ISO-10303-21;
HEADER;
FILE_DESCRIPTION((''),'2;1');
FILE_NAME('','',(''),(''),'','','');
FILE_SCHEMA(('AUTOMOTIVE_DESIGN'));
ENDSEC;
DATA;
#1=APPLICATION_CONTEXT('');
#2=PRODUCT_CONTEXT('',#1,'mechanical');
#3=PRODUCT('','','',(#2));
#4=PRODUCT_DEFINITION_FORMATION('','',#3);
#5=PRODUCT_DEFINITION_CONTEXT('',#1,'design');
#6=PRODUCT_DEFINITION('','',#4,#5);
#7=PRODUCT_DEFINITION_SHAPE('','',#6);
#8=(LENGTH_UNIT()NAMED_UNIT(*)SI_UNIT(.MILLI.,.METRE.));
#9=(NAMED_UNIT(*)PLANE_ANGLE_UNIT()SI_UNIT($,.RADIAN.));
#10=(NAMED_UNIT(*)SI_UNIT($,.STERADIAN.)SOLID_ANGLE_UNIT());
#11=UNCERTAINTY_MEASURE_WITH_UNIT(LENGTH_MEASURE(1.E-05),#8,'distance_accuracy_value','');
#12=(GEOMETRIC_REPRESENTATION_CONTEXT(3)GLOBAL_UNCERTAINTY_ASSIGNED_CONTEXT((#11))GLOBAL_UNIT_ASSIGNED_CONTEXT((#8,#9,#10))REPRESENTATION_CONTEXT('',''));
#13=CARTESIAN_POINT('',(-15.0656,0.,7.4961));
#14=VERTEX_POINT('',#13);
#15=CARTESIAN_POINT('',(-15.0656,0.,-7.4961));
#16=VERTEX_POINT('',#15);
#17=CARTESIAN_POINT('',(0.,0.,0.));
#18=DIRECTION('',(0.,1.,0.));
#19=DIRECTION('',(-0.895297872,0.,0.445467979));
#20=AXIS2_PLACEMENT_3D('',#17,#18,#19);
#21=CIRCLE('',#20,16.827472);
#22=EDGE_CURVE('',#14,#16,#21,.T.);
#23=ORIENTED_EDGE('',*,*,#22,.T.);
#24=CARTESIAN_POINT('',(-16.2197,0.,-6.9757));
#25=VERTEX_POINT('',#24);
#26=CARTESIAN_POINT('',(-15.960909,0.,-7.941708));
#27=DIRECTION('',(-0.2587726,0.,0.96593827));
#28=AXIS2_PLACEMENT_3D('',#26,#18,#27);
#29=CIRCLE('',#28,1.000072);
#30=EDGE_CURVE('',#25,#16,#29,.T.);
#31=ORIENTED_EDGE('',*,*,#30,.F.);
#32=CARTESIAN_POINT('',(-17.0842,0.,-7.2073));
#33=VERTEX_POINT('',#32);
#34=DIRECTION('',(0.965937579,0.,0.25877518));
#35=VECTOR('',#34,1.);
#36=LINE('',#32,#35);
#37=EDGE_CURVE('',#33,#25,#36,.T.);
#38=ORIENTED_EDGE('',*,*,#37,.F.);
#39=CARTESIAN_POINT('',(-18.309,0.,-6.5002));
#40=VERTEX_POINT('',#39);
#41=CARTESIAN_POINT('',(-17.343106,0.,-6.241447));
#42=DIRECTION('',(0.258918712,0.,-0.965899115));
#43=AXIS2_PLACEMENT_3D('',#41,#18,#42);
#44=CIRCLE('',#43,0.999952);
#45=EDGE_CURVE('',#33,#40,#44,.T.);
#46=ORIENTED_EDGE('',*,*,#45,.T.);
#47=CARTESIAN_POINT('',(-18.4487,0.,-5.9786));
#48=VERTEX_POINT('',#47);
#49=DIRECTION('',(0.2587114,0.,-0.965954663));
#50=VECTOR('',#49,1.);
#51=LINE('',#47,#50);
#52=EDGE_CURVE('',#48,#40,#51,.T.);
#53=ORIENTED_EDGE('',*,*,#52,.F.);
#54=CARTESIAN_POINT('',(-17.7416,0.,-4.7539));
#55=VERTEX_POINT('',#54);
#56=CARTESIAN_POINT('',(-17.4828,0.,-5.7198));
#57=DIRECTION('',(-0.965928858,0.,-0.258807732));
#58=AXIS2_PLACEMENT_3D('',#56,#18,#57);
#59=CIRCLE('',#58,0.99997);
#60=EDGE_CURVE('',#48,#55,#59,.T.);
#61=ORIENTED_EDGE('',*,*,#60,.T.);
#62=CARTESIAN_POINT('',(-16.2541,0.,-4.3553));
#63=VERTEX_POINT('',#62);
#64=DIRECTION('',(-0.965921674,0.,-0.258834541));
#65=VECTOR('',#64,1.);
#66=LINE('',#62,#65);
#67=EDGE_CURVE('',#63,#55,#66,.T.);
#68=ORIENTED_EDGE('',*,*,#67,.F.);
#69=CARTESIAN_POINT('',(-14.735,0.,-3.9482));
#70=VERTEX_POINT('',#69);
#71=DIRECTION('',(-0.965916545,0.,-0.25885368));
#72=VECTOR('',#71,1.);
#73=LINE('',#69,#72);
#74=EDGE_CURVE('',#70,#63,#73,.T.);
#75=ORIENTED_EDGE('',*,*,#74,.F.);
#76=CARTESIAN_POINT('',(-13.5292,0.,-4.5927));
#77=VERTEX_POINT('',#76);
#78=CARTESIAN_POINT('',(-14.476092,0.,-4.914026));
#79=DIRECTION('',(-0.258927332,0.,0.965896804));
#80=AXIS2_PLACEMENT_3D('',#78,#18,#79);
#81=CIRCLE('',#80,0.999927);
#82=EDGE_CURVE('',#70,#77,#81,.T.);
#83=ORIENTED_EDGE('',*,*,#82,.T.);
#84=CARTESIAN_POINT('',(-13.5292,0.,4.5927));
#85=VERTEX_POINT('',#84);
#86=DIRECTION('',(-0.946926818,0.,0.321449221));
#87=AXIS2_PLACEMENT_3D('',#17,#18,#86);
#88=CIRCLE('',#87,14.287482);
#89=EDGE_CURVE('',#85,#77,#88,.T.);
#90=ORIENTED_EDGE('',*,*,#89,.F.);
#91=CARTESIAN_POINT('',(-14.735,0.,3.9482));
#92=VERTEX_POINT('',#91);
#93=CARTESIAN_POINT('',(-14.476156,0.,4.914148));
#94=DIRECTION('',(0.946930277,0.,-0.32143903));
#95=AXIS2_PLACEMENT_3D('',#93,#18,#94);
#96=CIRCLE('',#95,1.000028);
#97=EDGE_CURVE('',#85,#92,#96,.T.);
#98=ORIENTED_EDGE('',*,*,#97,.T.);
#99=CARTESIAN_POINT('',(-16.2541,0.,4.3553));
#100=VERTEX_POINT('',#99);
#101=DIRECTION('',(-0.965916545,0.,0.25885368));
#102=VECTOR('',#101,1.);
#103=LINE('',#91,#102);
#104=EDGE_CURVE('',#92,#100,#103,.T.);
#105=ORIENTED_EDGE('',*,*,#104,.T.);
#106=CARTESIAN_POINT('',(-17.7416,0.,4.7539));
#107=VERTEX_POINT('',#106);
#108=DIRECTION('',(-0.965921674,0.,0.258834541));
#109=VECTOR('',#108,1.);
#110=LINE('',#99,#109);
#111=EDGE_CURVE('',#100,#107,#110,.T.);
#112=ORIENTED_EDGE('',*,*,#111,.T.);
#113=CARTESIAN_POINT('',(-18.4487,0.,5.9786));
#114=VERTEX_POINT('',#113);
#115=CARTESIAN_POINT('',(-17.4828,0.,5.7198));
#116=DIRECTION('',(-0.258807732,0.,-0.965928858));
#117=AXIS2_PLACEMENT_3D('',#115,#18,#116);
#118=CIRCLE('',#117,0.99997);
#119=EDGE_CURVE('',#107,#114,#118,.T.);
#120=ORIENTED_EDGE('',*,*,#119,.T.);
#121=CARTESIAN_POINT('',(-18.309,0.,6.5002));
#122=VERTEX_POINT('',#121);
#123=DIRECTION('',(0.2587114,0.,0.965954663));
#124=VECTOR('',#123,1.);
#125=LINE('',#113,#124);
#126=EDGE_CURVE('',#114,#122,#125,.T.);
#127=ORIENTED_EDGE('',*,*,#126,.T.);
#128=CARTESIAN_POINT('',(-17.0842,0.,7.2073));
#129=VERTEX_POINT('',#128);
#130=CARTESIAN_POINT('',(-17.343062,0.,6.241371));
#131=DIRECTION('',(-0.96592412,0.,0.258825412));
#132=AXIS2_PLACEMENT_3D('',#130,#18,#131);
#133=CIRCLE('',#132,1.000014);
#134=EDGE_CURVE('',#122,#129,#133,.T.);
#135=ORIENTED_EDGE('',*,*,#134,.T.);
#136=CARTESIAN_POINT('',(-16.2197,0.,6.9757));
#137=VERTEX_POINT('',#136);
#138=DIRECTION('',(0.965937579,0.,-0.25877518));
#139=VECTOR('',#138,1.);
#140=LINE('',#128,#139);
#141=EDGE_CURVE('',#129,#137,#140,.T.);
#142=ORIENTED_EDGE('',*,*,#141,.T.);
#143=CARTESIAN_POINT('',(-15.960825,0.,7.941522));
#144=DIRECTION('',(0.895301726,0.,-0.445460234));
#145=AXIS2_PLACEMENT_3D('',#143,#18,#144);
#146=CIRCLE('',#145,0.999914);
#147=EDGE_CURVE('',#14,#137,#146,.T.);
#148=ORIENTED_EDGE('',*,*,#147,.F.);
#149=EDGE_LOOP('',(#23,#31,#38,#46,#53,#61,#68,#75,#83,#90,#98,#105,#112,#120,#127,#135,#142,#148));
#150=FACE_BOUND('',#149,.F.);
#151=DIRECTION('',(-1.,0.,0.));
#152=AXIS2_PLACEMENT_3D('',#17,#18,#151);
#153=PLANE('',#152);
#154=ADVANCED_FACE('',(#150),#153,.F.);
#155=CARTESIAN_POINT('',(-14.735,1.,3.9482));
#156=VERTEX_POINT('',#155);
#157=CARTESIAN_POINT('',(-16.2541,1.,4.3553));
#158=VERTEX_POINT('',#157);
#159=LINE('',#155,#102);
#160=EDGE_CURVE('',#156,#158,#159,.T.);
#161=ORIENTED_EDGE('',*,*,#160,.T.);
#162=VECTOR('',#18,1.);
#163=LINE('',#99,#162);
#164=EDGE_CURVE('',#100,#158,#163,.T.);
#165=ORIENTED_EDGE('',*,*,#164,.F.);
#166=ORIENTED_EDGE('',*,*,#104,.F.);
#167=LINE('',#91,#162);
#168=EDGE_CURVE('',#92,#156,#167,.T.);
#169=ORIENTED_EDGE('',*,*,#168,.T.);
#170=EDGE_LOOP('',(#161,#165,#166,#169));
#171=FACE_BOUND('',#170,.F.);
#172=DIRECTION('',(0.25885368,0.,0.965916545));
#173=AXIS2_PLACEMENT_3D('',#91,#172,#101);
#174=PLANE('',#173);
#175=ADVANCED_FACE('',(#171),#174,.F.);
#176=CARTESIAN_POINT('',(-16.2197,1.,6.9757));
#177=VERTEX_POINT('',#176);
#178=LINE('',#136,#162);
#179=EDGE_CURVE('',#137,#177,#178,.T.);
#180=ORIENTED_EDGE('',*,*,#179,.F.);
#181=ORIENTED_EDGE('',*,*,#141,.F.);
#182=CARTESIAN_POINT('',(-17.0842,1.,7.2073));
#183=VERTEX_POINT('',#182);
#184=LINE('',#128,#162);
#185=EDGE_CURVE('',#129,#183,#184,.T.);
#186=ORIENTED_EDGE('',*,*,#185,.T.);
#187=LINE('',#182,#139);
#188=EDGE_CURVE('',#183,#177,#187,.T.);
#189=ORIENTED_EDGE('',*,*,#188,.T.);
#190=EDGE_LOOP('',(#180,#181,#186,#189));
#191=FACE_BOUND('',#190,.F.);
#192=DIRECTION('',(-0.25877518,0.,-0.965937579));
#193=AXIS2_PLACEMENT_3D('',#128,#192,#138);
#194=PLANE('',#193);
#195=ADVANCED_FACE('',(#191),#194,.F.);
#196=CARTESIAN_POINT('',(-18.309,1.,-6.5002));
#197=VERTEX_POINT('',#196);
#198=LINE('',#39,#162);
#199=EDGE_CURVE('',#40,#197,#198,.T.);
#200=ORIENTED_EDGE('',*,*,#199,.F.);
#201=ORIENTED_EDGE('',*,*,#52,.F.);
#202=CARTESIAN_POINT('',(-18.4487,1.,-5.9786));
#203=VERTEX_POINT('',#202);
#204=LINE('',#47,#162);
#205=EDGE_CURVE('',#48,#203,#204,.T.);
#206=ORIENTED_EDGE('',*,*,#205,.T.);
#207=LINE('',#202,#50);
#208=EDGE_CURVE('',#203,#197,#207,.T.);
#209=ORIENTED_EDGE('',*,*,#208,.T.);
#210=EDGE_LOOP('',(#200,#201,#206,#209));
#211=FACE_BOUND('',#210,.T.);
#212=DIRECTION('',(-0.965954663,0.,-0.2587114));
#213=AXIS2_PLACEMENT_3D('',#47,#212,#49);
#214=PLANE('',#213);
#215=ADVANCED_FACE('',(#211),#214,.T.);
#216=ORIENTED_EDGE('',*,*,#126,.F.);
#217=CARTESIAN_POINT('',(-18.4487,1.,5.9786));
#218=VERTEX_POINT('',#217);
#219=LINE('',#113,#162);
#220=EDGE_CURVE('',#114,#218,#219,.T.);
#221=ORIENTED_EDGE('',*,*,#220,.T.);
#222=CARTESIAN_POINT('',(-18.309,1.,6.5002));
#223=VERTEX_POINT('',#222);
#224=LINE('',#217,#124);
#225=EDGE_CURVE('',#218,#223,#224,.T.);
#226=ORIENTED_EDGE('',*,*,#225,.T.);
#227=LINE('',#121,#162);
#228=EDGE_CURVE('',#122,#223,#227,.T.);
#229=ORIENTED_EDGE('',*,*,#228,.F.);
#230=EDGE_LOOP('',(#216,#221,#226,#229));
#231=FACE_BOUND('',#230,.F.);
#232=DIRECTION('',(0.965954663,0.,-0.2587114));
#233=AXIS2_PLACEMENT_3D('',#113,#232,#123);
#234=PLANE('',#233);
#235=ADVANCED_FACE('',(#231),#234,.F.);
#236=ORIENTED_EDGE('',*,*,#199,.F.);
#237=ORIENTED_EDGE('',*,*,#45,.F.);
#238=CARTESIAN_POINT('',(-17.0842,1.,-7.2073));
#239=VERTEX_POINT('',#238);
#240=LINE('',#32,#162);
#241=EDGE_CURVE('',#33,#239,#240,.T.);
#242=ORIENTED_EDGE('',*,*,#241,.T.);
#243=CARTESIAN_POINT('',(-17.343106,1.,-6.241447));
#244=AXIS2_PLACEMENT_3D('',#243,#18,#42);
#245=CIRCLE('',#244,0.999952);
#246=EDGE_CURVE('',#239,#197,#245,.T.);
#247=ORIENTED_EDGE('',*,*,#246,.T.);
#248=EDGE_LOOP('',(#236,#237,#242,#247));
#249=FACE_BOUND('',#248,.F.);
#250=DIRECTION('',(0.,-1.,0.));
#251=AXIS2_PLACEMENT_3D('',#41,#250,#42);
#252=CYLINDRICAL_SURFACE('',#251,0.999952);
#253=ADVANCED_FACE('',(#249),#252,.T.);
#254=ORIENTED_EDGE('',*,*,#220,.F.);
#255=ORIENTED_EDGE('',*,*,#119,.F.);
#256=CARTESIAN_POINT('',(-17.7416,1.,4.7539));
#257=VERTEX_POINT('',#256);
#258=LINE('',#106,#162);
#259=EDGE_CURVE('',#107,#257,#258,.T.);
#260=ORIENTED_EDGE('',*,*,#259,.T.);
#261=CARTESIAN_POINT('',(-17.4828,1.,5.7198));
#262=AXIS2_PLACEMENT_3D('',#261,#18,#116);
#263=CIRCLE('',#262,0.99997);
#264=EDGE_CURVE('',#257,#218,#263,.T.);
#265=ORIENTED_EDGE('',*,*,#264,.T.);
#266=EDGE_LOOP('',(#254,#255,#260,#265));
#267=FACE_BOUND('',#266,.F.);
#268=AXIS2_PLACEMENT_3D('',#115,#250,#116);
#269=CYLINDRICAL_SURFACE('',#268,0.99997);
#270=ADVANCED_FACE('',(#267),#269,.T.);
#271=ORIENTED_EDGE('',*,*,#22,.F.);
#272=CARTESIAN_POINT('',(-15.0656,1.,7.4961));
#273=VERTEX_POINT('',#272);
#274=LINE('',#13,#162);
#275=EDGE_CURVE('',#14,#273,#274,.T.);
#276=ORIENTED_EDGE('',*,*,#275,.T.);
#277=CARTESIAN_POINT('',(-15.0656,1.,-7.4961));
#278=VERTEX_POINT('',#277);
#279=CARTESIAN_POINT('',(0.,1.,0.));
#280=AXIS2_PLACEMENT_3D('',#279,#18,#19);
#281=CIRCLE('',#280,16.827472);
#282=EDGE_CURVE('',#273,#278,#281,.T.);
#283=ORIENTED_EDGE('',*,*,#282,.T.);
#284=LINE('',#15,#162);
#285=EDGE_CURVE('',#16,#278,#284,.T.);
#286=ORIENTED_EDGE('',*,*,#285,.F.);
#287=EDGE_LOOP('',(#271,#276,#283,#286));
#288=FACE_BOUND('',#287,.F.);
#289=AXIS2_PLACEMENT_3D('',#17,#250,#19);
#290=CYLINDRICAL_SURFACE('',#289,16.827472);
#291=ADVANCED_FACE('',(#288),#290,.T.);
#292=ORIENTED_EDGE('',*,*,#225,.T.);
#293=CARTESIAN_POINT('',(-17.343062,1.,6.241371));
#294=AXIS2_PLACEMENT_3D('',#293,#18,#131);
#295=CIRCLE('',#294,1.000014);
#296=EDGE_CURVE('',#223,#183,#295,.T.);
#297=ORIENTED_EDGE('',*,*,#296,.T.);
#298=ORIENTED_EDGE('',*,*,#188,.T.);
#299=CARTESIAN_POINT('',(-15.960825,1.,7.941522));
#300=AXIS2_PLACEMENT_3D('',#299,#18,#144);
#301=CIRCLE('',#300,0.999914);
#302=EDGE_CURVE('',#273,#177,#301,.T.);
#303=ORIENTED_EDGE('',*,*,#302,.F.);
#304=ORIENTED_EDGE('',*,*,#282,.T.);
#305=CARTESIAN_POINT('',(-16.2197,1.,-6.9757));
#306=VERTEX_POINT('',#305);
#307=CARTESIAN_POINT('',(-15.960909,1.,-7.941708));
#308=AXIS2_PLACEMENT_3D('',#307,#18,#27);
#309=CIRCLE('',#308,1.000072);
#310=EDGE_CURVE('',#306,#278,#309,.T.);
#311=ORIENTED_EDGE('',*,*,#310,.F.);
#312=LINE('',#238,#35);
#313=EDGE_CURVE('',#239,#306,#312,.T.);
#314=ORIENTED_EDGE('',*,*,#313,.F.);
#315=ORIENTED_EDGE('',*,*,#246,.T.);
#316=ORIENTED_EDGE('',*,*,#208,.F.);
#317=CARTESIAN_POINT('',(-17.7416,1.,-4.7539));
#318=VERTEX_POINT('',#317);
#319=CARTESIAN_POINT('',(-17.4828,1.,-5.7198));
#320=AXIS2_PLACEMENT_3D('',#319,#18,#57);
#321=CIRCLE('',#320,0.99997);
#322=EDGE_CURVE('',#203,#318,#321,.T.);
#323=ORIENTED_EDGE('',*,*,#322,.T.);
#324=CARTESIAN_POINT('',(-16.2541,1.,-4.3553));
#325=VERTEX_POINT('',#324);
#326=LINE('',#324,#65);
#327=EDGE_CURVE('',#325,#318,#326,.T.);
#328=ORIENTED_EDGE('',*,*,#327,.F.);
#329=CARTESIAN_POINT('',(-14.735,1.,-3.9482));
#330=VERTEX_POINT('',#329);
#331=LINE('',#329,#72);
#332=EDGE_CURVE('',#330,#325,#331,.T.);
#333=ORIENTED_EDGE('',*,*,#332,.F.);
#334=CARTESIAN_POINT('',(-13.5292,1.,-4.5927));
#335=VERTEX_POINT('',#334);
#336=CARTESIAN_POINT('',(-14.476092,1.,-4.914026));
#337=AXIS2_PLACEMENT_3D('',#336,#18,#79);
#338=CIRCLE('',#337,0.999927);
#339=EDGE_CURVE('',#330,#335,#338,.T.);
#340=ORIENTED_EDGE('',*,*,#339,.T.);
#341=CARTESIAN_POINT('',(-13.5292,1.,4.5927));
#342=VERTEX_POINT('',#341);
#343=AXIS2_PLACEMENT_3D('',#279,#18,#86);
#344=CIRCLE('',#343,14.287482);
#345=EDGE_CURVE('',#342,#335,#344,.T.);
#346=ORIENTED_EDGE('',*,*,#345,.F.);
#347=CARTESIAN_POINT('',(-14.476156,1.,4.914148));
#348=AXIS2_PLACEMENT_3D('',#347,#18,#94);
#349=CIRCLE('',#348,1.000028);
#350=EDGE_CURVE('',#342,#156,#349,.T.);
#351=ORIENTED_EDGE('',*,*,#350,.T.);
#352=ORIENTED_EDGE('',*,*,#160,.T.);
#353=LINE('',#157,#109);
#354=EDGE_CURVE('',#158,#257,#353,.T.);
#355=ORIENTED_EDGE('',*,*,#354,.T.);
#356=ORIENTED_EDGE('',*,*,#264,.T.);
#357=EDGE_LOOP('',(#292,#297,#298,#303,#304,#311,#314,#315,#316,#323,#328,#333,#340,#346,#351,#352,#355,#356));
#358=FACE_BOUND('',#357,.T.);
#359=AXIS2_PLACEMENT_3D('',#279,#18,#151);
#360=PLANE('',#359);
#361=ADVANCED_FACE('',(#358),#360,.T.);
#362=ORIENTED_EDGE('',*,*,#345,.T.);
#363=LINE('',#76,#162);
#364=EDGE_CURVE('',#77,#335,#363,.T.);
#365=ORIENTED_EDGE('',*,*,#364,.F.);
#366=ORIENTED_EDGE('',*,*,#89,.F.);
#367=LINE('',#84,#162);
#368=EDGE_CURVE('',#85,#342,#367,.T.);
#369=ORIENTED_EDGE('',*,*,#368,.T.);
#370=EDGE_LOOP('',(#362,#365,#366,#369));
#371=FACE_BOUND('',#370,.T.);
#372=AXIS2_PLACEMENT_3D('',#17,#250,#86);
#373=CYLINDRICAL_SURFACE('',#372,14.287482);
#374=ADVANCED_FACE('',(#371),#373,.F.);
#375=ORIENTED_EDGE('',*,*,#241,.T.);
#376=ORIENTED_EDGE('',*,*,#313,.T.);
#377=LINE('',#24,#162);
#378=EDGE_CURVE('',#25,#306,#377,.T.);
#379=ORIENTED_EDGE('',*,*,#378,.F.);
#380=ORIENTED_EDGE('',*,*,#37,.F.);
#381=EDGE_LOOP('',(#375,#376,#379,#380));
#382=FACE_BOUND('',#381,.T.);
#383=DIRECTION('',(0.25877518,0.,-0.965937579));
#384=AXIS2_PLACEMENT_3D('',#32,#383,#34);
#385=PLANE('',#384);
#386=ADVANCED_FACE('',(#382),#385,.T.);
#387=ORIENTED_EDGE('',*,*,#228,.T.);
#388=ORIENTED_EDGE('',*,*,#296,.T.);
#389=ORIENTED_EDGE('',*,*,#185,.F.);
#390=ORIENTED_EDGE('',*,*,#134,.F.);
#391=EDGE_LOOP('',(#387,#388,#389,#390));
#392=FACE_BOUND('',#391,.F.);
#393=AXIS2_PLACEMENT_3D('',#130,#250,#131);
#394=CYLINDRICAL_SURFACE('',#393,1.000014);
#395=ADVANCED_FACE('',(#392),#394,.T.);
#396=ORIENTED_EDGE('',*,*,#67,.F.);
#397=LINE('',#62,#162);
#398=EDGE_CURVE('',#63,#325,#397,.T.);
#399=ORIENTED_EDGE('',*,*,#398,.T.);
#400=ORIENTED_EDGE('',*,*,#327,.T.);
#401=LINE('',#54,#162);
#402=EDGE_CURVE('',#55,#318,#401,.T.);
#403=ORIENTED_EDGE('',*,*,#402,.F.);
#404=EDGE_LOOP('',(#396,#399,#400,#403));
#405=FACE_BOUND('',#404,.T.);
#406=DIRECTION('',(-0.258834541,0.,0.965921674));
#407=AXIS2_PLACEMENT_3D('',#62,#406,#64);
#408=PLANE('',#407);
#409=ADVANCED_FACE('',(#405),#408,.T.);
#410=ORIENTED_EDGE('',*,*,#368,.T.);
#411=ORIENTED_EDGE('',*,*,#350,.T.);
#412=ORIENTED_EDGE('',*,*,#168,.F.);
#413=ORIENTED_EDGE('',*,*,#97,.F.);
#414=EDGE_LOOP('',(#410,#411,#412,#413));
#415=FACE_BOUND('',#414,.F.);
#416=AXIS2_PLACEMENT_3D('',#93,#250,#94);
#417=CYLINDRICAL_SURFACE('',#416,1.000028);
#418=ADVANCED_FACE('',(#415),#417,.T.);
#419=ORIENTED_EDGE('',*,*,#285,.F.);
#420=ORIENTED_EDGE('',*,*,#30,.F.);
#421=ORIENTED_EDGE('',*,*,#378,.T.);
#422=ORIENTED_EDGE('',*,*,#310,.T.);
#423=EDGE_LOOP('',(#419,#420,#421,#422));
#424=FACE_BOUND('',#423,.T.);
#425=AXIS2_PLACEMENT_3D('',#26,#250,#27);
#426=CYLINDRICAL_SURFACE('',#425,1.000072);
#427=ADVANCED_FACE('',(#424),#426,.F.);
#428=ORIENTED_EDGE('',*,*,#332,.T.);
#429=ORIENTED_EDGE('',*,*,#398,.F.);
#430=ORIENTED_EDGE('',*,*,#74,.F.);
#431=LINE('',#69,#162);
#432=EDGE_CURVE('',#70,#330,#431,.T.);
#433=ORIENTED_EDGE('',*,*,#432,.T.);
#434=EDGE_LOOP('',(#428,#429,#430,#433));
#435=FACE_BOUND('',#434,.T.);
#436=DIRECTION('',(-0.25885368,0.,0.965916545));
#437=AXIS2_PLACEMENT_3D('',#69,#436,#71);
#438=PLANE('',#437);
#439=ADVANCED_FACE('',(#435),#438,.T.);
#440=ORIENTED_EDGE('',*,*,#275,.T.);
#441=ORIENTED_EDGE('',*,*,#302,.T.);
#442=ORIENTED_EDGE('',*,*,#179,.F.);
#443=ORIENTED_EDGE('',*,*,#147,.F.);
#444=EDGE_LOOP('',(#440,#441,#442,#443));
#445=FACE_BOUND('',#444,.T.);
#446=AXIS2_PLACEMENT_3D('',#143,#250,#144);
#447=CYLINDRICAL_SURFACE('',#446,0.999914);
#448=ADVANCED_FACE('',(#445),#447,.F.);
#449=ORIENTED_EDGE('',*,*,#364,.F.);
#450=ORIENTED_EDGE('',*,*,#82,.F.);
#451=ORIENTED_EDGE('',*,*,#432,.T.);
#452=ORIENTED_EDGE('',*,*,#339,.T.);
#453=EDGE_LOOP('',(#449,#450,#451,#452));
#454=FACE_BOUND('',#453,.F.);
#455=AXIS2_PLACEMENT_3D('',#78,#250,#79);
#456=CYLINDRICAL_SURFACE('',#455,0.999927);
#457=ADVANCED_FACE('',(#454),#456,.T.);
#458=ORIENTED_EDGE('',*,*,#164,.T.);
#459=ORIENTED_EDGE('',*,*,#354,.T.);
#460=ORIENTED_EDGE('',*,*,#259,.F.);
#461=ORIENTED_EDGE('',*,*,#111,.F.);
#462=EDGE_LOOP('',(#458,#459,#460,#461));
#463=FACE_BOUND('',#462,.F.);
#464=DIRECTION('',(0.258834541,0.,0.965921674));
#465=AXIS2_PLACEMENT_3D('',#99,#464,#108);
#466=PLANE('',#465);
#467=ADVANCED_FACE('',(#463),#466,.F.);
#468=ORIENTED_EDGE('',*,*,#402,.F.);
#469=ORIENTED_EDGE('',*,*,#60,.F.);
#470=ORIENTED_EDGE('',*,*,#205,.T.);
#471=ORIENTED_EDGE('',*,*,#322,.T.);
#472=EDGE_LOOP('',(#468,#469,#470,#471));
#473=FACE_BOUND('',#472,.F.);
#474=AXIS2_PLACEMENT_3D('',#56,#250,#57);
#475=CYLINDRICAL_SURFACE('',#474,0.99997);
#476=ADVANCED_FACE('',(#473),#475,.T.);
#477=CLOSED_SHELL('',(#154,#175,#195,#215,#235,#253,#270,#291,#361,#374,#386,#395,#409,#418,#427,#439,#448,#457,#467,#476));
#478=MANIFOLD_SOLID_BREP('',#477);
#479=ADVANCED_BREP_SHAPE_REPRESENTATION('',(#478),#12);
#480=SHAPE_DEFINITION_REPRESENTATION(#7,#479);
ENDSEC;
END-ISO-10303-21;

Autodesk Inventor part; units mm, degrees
ref_plane "YZ Plane" through (0, 0, 0) normal (1, 0, 0) x (0, 1, 0)
ref_plane "XZ Plane" through (0, 0, 0) normal (0, 1, 0) x (-1, 0, 0)
ref_plane "XY Plane" through (0, 0, 0) normal (0, 0, 1) x (1, 0, 0)
sketch "Sketch1" plane through (0, 0, 0) normal (0, 1, 0) x (-1, 0, 0)
  arc A0 (13.5292, 4.5927) -> (13.5292, -4.5927) centre (0, 0) ccw
  arc A1 (15.0656, 7.4961) -> (15.0656, -7.4961) centre (0, 0) ccw
  line L0 (14.735, -3.9482) -> (16.2541, -4.3553)
  line L1 (0, 0) -> (16.8275, 0) construction
  line L2 (14.735, 3.9482) -> (16.2541, 4.3553)
  line L3 (0, 0) -> (16.8275, 0) construction
  line L4 (16.2541, 4.3553) -> (17.7416, 4.7539)
  line L5 (18.4487, 5.9786) -> (18.309, 6.5002)
  line L6 (17.0842, 7.2073) -> (16.2197, 6.9757)
  line L7 (16.2541, -4.3553) -> (17.7416, -4.7539)
  line L8 (18.4487, -5.9786) -> (18.309, -6.5002)
  line L9 (17.0842, -7.2073) -> (16.2197, -6.9757)
  arc A2 (13.5292, 4.5927) -> (14.735, 3.9482) centre (14.4761, 4.9141) ccw
  arc A3 (17.7416, 4.7539) -> (18.4487, 5.9786) centre (17.4828, 5.7198) ccw
  arc A4 (18.309, 6.5002) -> (17.0842, 7.2073) centre (17.3431, 6.2414) ccw
  arc A5 (15.0656, 7.4961) -> (16.2197, 6.9757) centre (15.9609, 7.9416) ccw
  arc A6 (14.735, -3.9482) -> (13.5292, -4.5927) centre (14.4761, -4.9141) ccw
  arc A7 (18.4487, -5.9786) -> (17.7416, -4.7539) centre (17.4828, -5.7198) ccw
  arc A8 (17.0842, -7.2073) -> (18.309, -6.5002) centre (17.3431, -6.2414) ccw
  arc A9 (16.2197, -6.9757) -> (15.0656, -7.4961) centre (15.9609, -7.9416) ccw
  point P0 (13.8007, 3.6979)
  point P1 (13.8007, -3.6979)
  point P2 (18.7076, 5.0127)
  point P3 (18.0502, 7.4661)
  point P4 (15.4105, 6.7588)
  point P5 (18.7076, -5.0127)
  point P6 (18.0502, -7.4661)
  point P7 (15.4105, -6.7588)
  dimension "d0" = 28.575
  dimension "d1" = 2.54
  dimension "d2" = 15
  dimension "d3" = 15
  dimension "d4" = 2.54
  dimension "d5" = 2.54
  dimension "d6" = 90
  dimension "d7" = 2.54
  dimension "d8" = 2.54
  dimension "d9" = 1
  dimension "d10" = 1
extrude "Extrusion1" add sketch "Sketch1" along normal blind 1
properties part number "BearingRing"
